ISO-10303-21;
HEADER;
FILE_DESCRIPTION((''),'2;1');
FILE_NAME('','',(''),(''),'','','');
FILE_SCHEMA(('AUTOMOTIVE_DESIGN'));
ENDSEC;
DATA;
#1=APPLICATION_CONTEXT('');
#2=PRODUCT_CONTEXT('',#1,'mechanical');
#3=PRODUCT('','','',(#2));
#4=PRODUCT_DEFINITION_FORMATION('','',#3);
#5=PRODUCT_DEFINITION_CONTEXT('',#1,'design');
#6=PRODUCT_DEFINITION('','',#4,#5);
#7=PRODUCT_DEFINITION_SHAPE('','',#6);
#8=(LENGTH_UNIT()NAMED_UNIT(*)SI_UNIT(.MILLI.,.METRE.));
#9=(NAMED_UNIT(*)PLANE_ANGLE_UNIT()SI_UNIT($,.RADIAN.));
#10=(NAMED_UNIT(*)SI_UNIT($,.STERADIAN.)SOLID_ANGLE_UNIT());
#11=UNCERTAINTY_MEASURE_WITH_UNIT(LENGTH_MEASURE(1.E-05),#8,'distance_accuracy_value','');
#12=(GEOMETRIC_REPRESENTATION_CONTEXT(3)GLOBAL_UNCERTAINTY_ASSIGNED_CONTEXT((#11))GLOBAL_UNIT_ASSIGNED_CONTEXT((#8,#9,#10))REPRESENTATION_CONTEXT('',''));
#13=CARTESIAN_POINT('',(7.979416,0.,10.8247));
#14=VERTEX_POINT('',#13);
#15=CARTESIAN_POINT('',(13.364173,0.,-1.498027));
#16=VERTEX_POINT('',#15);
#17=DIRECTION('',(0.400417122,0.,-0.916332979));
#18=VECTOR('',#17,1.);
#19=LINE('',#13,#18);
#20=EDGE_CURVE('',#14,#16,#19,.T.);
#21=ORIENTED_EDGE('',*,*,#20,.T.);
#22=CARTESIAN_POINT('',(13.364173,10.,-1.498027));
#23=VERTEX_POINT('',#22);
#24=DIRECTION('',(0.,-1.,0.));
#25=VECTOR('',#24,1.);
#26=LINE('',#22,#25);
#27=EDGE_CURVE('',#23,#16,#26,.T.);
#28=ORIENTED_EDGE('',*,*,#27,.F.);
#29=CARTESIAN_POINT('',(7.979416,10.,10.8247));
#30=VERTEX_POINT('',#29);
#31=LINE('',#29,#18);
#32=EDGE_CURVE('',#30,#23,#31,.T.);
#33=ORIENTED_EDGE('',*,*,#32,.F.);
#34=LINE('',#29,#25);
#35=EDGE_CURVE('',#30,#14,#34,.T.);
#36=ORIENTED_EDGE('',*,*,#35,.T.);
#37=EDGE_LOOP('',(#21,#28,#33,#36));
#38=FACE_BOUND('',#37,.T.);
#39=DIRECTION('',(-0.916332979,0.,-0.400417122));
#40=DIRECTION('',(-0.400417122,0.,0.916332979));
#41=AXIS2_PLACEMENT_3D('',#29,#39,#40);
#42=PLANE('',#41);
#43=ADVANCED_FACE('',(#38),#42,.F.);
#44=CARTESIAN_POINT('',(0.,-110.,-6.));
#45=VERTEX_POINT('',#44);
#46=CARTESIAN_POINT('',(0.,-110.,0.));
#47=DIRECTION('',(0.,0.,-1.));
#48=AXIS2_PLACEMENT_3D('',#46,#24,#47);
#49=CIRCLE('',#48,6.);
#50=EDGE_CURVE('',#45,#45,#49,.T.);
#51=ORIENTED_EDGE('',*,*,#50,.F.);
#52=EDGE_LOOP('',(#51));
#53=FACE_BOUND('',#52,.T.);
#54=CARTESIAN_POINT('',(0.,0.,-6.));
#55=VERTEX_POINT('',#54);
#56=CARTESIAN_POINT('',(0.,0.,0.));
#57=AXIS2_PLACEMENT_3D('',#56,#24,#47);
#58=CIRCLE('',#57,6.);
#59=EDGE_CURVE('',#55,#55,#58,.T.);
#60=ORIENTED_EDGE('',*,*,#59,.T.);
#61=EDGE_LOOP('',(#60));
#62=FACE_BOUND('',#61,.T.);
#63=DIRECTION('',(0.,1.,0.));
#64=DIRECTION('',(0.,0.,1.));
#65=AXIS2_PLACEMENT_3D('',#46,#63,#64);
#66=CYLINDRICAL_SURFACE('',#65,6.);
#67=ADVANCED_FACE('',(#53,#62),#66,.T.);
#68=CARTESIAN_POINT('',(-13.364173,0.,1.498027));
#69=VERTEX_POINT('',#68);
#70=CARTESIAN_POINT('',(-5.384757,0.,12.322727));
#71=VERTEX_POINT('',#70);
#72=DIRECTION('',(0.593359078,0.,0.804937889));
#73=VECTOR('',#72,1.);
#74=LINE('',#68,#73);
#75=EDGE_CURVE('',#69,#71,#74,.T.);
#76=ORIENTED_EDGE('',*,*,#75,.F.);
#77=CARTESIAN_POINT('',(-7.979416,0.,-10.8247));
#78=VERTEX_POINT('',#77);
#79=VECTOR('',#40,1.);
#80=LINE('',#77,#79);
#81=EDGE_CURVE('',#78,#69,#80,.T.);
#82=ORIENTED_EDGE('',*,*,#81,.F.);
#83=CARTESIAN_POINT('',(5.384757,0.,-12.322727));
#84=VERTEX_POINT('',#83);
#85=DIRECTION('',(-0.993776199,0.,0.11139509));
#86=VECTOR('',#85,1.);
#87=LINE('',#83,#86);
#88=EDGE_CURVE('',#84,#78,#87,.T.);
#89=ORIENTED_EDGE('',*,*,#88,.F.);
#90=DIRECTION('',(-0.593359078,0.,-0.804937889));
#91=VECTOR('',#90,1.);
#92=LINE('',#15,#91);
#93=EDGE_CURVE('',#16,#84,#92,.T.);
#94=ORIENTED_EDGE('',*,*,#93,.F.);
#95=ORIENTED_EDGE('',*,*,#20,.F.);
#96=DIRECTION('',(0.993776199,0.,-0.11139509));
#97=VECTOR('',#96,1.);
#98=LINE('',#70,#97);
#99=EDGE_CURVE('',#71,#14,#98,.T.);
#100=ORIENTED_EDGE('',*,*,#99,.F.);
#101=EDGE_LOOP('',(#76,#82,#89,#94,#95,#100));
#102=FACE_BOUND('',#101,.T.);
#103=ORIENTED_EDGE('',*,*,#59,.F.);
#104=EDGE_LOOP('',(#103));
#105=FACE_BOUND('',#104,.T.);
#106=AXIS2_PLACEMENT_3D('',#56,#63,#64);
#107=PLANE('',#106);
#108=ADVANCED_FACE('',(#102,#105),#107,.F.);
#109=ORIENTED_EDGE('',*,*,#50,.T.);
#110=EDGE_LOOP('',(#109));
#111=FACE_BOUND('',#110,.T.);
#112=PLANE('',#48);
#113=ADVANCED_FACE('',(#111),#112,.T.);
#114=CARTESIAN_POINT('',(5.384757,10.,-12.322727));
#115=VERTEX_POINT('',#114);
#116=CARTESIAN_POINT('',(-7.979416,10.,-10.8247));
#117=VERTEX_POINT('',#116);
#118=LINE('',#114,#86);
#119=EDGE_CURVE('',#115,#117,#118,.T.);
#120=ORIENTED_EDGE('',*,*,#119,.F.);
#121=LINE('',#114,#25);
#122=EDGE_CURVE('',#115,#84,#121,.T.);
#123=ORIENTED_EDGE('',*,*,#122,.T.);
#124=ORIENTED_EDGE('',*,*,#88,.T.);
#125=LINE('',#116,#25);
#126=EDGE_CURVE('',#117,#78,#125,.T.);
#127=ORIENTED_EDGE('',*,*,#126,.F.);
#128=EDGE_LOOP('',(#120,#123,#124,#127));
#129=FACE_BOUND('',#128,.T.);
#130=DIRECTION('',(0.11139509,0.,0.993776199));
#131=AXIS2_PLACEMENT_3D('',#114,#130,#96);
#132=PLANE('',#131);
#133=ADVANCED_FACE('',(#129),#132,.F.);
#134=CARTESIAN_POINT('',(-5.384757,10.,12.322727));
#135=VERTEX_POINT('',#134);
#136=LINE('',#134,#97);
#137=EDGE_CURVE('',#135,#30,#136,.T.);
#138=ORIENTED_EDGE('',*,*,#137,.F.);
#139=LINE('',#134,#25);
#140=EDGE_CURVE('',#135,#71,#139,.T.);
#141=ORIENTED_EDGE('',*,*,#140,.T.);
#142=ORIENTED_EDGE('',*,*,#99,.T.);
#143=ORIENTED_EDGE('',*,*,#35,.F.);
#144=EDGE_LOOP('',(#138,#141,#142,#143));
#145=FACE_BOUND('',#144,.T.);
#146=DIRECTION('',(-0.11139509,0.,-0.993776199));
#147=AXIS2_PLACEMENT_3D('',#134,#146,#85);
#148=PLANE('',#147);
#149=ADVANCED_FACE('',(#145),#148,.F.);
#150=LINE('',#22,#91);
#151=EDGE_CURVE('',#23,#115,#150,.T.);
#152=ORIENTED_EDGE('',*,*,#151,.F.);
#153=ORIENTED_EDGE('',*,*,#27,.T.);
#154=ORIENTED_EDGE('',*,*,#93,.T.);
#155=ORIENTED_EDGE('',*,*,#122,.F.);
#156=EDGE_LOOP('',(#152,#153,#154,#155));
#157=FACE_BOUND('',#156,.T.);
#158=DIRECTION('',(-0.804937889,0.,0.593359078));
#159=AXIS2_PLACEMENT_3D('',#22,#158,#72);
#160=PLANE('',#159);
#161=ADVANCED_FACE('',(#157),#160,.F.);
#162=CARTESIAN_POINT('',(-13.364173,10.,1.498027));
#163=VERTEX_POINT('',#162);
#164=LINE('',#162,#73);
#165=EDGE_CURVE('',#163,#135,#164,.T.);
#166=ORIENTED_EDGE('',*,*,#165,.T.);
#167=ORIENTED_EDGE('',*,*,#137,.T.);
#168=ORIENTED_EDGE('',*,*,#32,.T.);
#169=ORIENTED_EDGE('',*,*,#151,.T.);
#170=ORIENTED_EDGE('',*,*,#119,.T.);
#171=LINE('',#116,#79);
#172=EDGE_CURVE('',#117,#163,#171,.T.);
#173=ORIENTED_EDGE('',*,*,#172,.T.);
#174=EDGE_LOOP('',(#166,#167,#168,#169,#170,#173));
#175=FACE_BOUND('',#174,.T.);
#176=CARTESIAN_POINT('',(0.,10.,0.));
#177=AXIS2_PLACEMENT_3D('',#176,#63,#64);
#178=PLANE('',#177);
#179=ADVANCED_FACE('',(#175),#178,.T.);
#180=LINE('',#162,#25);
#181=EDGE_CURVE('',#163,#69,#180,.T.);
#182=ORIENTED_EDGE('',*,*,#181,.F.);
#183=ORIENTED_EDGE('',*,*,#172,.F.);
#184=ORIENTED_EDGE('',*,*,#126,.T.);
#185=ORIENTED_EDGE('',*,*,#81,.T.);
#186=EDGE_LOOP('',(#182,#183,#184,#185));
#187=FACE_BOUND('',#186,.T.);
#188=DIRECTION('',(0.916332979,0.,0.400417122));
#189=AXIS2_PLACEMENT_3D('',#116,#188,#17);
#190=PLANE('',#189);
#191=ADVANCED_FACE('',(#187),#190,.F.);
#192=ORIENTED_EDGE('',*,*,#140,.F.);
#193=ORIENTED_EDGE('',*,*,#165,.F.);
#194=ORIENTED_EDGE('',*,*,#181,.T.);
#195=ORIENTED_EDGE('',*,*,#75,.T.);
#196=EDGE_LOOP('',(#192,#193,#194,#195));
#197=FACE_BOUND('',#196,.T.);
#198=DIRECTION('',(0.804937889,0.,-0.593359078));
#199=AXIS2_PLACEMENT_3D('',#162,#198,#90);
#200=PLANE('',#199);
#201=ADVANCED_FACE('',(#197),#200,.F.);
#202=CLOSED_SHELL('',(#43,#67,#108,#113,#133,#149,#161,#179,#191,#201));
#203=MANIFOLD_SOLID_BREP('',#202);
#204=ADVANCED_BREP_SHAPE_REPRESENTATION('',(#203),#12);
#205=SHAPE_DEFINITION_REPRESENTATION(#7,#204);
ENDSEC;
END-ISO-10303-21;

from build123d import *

# Parameters (mm, degrees)
BOSS_EXTRUDE1_DEPTH = 10
SKETCH2_R           = 6
BOSS_EXTRUDE2_DEPTH = 110


with BuildPart() as part:
    # Sketch1 → Boss-Extrude1 (new body)
    with BuildSketch(Plane(origin=(0, 0, 0), x_dir=(1, 0, 0), z_dir=(0, 1, 0))):
        Polygon((7.979415777, -10.824700142), (13.3641732, 1.498026699), (5.384757423, 12.322726841), (-7.979415777, 10.824700142), (-13.3641732, -1.498026699), (-5.384757423, -12.322726841), align=None)
    extrude(amount=BOSS_EXTRUDE1_DEPTH)

    # Sketch2 → Boss-Extrude2 (add)
    with BuildSketch(Plane.XZ):
        Circle(SKETCH2_R)
    extrude(amount=BOSS_EXTRUDE2_DEPTH)


solid = part.part
